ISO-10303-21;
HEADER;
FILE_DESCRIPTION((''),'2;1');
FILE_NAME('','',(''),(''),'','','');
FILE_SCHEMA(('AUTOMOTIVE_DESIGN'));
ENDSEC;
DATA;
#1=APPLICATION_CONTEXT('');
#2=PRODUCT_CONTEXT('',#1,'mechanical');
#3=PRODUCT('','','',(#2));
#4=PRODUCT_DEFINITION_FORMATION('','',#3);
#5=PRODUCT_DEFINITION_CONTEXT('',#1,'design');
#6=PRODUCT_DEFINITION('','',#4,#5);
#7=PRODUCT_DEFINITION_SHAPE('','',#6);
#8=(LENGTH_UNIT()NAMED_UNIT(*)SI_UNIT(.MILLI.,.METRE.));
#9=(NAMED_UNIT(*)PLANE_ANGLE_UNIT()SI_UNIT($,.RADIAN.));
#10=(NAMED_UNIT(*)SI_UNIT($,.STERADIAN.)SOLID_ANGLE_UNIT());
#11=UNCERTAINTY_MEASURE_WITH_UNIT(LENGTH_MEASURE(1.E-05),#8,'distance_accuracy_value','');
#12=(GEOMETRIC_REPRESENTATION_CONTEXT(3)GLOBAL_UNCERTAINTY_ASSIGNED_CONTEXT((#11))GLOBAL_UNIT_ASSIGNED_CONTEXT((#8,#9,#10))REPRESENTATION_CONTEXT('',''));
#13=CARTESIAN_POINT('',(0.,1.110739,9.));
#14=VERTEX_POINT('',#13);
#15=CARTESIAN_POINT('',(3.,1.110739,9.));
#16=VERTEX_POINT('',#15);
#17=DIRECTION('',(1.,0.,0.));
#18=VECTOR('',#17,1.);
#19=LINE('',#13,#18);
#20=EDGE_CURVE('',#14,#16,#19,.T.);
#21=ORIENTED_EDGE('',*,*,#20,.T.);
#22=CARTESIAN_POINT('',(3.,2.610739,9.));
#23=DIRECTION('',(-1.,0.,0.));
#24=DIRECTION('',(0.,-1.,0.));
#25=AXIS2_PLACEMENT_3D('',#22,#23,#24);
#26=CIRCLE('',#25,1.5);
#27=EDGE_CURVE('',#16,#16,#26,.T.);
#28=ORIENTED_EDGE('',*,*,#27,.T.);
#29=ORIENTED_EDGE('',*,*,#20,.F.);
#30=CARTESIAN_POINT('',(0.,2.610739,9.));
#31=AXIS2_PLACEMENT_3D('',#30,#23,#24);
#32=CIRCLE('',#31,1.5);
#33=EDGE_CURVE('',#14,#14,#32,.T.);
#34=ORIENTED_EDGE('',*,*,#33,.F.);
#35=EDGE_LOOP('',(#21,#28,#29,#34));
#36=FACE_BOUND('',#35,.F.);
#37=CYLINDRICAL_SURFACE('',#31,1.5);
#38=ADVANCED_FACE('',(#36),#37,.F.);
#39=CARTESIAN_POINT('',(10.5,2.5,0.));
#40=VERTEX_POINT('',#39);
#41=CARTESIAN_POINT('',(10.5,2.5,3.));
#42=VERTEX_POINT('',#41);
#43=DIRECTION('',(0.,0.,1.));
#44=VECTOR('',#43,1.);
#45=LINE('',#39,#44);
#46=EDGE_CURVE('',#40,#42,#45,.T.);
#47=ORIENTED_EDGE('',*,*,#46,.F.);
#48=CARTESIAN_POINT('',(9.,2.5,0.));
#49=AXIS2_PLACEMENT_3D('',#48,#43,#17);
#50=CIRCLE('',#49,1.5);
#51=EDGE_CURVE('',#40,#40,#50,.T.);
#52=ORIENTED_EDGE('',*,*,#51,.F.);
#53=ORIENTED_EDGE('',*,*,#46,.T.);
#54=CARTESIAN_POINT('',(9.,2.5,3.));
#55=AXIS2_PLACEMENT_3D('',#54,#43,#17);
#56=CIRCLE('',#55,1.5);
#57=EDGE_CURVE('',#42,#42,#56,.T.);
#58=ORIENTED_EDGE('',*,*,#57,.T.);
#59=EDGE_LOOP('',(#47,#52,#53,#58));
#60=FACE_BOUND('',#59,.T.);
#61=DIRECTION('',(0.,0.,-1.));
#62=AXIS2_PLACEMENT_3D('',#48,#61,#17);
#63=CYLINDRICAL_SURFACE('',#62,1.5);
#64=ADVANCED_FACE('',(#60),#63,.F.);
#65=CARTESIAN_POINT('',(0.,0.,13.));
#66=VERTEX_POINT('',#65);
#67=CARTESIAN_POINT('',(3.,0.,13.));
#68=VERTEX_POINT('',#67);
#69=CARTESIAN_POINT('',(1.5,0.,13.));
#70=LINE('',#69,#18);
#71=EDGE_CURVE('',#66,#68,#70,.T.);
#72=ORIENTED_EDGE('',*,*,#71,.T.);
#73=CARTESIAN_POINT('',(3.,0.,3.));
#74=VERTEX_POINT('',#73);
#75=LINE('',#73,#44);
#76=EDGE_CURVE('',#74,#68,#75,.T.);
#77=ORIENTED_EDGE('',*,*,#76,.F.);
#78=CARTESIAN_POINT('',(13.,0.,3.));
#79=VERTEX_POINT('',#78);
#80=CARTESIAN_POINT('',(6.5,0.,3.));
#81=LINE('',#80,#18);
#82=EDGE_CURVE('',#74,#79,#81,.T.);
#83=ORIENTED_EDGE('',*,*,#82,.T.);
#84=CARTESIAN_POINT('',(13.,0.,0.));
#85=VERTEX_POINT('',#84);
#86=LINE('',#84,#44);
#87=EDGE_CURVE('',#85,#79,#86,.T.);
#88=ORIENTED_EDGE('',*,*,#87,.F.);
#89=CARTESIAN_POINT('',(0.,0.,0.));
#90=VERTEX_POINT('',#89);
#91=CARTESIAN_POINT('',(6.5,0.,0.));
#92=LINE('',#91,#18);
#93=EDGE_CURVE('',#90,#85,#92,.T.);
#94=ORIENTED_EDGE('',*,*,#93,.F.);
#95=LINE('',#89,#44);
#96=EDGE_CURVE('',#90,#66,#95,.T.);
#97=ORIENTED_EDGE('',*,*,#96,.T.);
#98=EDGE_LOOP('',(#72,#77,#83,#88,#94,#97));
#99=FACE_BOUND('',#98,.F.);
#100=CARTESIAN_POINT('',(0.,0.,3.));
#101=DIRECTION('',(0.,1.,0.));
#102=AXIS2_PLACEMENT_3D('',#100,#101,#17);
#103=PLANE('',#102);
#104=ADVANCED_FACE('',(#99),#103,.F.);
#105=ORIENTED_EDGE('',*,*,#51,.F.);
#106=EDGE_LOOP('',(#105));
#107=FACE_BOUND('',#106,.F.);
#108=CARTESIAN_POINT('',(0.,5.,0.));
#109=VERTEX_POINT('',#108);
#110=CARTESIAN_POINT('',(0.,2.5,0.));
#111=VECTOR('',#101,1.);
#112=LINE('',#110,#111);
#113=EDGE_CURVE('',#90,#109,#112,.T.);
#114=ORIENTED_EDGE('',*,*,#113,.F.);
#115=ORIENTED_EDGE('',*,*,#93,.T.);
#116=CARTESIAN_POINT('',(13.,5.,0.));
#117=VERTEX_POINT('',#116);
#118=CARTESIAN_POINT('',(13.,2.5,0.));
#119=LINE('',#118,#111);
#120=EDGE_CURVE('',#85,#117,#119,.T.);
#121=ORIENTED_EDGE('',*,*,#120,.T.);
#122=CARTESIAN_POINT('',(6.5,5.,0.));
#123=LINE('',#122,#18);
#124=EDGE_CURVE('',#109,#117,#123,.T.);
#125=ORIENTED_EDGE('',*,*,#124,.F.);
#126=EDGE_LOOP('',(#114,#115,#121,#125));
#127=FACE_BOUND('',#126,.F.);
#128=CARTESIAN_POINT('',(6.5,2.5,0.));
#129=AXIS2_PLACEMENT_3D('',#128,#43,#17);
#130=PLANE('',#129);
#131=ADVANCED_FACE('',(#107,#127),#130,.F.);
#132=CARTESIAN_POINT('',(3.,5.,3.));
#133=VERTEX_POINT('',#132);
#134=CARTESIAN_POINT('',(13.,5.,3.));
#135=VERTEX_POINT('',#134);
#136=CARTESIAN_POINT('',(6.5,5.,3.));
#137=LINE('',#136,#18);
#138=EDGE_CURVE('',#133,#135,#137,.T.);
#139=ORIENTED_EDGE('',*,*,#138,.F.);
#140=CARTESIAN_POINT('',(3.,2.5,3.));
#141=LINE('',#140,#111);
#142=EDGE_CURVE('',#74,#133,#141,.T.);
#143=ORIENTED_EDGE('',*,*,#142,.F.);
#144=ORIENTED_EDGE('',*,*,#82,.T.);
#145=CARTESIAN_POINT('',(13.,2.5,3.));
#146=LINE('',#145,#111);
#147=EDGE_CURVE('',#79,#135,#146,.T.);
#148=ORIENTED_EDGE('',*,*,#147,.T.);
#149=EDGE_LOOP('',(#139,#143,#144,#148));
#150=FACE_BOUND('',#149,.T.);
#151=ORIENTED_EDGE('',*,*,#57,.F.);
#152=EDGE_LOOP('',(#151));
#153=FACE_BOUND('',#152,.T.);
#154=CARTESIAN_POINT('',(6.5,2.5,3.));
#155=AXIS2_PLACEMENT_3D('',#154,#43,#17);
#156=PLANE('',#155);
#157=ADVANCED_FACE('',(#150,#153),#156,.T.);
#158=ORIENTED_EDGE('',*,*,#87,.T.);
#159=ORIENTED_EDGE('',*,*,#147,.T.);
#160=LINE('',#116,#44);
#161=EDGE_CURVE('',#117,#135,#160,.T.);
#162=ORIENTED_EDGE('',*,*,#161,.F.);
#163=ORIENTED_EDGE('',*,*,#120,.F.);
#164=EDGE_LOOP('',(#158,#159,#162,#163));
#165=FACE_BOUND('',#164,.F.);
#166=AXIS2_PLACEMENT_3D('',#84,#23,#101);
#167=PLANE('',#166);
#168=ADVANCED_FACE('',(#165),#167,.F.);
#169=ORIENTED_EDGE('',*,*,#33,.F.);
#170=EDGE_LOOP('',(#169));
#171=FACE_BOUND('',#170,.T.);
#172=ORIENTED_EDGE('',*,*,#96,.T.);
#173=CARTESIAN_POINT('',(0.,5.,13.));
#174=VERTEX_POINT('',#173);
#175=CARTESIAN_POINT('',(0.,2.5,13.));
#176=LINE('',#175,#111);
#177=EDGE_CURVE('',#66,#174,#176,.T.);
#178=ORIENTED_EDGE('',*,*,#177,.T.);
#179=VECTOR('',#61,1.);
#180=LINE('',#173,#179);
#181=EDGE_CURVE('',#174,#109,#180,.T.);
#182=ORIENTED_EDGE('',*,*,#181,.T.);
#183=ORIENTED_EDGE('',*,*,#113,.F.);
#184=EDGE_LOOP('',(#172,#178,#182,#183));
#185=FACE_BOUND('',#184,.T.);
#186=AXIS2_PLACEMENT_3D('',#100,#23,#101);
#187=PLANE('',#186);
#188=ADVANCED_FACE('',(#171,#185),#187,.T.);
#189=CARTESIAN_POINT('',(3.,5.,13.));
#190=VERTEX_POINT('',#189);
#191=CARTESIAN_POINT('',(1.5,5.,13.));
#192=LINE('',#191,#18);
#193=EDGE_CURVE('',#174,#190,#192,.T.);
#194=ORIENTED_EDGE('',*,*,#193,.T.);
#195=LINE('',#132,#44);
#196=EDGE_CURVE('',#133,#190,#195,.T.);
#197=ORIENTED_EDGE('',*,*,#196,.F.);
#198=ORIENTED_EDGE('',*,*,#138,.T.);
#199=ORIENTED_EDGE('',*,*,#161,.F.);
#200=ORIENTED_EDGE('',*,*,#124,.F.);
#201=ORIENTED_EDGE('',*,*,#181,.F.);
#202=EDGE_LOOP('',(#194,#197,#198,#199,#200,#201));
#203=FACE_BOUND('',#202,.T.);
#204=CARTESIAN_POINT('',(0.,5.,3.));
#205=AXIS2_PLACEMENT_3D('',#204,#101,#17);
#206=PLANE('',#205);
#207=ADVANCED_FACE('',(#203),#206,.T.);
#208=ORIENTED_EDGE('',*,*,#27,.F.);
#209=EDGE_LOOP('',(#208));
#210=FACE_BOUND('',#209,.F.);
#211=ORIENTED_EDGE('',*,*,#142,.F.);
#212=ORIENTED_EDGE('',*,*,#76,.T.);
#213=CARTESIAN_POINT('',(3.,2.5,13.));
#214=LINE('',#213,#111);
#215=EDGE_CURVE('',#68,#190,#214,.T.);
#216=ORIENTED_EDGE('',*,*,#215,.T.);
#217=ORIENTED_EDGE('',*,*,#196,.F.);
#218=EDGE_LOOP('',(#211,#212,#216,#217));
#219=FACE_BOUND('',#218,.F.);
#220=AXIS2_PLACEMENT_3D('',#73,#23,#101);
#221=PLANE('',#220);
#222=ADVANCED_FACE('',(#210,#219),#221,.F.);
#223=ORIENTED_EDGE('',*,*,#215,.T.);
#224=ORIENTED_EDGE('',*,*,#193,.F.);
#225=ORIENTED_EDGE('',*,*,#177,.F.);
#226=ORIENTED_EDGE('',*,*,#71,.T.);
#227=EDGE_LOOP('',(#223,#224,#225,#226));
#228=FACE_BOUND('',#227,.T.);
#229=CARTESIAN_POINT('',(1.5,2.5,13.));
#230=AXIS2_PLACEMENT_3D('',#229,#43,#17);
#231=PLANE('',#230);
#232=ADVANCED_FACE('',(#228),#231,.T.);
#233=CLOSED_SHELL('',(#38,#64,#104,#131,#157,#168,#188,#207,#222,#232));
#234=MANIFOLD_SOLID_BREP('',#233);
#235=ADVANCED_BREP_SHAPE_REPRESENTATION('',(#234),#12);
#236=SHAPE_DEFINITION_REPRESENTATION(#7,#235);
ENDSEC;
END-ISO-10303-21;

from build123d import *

# Parameters (mm, degrees)
SKETCH_W     = 13
SKETCH_H     = 5
SKETCH_R     = 1.5
PAD_DEPTH    = 3
SKETCH001_W  = 3
SKETCH001_H  = 5
PAD001_DEPTH = 10
SKETCH002_R  = 1.5
POCKET_DEPTH = 13.001


with BuildPart() as part:
    # Sketch → Pad (new body)
    with BuildSketch(Plane.XY):
        with Locations((6.5, 2.5)):
            Rectangle(SKETCH_W, SKETCH_H)
        with Locations((9, 2.5)):
            Circle(SKETCH_R, mode=Mode.SUBTRACT)
    extrude(amount=PAD_DEPTH)

    # Sketch001 → Pad001 (new body)
    with BuildSketch(Plane.XY.offset(3)):
        with Locations((1.5, 2.5)):
            Rectangle(SKETCH001_W, SKETCH001_H)
    extrude(amount=PAD001_DEPTH)

    # Sketch002 → Pocket (cut, through all)
    with BuildSketch(Plane(origin=(0, 0, 0), x_dir=(0, -1, 0), z_dir=(-1, 0, 0))):
        with Locations((-2.610739, 9)):
            Circle(SKETCH002_R)
    extrude(amount=-POCKET_DEPTH, mode=Mode.SUBTRACT)


solid = part.part
